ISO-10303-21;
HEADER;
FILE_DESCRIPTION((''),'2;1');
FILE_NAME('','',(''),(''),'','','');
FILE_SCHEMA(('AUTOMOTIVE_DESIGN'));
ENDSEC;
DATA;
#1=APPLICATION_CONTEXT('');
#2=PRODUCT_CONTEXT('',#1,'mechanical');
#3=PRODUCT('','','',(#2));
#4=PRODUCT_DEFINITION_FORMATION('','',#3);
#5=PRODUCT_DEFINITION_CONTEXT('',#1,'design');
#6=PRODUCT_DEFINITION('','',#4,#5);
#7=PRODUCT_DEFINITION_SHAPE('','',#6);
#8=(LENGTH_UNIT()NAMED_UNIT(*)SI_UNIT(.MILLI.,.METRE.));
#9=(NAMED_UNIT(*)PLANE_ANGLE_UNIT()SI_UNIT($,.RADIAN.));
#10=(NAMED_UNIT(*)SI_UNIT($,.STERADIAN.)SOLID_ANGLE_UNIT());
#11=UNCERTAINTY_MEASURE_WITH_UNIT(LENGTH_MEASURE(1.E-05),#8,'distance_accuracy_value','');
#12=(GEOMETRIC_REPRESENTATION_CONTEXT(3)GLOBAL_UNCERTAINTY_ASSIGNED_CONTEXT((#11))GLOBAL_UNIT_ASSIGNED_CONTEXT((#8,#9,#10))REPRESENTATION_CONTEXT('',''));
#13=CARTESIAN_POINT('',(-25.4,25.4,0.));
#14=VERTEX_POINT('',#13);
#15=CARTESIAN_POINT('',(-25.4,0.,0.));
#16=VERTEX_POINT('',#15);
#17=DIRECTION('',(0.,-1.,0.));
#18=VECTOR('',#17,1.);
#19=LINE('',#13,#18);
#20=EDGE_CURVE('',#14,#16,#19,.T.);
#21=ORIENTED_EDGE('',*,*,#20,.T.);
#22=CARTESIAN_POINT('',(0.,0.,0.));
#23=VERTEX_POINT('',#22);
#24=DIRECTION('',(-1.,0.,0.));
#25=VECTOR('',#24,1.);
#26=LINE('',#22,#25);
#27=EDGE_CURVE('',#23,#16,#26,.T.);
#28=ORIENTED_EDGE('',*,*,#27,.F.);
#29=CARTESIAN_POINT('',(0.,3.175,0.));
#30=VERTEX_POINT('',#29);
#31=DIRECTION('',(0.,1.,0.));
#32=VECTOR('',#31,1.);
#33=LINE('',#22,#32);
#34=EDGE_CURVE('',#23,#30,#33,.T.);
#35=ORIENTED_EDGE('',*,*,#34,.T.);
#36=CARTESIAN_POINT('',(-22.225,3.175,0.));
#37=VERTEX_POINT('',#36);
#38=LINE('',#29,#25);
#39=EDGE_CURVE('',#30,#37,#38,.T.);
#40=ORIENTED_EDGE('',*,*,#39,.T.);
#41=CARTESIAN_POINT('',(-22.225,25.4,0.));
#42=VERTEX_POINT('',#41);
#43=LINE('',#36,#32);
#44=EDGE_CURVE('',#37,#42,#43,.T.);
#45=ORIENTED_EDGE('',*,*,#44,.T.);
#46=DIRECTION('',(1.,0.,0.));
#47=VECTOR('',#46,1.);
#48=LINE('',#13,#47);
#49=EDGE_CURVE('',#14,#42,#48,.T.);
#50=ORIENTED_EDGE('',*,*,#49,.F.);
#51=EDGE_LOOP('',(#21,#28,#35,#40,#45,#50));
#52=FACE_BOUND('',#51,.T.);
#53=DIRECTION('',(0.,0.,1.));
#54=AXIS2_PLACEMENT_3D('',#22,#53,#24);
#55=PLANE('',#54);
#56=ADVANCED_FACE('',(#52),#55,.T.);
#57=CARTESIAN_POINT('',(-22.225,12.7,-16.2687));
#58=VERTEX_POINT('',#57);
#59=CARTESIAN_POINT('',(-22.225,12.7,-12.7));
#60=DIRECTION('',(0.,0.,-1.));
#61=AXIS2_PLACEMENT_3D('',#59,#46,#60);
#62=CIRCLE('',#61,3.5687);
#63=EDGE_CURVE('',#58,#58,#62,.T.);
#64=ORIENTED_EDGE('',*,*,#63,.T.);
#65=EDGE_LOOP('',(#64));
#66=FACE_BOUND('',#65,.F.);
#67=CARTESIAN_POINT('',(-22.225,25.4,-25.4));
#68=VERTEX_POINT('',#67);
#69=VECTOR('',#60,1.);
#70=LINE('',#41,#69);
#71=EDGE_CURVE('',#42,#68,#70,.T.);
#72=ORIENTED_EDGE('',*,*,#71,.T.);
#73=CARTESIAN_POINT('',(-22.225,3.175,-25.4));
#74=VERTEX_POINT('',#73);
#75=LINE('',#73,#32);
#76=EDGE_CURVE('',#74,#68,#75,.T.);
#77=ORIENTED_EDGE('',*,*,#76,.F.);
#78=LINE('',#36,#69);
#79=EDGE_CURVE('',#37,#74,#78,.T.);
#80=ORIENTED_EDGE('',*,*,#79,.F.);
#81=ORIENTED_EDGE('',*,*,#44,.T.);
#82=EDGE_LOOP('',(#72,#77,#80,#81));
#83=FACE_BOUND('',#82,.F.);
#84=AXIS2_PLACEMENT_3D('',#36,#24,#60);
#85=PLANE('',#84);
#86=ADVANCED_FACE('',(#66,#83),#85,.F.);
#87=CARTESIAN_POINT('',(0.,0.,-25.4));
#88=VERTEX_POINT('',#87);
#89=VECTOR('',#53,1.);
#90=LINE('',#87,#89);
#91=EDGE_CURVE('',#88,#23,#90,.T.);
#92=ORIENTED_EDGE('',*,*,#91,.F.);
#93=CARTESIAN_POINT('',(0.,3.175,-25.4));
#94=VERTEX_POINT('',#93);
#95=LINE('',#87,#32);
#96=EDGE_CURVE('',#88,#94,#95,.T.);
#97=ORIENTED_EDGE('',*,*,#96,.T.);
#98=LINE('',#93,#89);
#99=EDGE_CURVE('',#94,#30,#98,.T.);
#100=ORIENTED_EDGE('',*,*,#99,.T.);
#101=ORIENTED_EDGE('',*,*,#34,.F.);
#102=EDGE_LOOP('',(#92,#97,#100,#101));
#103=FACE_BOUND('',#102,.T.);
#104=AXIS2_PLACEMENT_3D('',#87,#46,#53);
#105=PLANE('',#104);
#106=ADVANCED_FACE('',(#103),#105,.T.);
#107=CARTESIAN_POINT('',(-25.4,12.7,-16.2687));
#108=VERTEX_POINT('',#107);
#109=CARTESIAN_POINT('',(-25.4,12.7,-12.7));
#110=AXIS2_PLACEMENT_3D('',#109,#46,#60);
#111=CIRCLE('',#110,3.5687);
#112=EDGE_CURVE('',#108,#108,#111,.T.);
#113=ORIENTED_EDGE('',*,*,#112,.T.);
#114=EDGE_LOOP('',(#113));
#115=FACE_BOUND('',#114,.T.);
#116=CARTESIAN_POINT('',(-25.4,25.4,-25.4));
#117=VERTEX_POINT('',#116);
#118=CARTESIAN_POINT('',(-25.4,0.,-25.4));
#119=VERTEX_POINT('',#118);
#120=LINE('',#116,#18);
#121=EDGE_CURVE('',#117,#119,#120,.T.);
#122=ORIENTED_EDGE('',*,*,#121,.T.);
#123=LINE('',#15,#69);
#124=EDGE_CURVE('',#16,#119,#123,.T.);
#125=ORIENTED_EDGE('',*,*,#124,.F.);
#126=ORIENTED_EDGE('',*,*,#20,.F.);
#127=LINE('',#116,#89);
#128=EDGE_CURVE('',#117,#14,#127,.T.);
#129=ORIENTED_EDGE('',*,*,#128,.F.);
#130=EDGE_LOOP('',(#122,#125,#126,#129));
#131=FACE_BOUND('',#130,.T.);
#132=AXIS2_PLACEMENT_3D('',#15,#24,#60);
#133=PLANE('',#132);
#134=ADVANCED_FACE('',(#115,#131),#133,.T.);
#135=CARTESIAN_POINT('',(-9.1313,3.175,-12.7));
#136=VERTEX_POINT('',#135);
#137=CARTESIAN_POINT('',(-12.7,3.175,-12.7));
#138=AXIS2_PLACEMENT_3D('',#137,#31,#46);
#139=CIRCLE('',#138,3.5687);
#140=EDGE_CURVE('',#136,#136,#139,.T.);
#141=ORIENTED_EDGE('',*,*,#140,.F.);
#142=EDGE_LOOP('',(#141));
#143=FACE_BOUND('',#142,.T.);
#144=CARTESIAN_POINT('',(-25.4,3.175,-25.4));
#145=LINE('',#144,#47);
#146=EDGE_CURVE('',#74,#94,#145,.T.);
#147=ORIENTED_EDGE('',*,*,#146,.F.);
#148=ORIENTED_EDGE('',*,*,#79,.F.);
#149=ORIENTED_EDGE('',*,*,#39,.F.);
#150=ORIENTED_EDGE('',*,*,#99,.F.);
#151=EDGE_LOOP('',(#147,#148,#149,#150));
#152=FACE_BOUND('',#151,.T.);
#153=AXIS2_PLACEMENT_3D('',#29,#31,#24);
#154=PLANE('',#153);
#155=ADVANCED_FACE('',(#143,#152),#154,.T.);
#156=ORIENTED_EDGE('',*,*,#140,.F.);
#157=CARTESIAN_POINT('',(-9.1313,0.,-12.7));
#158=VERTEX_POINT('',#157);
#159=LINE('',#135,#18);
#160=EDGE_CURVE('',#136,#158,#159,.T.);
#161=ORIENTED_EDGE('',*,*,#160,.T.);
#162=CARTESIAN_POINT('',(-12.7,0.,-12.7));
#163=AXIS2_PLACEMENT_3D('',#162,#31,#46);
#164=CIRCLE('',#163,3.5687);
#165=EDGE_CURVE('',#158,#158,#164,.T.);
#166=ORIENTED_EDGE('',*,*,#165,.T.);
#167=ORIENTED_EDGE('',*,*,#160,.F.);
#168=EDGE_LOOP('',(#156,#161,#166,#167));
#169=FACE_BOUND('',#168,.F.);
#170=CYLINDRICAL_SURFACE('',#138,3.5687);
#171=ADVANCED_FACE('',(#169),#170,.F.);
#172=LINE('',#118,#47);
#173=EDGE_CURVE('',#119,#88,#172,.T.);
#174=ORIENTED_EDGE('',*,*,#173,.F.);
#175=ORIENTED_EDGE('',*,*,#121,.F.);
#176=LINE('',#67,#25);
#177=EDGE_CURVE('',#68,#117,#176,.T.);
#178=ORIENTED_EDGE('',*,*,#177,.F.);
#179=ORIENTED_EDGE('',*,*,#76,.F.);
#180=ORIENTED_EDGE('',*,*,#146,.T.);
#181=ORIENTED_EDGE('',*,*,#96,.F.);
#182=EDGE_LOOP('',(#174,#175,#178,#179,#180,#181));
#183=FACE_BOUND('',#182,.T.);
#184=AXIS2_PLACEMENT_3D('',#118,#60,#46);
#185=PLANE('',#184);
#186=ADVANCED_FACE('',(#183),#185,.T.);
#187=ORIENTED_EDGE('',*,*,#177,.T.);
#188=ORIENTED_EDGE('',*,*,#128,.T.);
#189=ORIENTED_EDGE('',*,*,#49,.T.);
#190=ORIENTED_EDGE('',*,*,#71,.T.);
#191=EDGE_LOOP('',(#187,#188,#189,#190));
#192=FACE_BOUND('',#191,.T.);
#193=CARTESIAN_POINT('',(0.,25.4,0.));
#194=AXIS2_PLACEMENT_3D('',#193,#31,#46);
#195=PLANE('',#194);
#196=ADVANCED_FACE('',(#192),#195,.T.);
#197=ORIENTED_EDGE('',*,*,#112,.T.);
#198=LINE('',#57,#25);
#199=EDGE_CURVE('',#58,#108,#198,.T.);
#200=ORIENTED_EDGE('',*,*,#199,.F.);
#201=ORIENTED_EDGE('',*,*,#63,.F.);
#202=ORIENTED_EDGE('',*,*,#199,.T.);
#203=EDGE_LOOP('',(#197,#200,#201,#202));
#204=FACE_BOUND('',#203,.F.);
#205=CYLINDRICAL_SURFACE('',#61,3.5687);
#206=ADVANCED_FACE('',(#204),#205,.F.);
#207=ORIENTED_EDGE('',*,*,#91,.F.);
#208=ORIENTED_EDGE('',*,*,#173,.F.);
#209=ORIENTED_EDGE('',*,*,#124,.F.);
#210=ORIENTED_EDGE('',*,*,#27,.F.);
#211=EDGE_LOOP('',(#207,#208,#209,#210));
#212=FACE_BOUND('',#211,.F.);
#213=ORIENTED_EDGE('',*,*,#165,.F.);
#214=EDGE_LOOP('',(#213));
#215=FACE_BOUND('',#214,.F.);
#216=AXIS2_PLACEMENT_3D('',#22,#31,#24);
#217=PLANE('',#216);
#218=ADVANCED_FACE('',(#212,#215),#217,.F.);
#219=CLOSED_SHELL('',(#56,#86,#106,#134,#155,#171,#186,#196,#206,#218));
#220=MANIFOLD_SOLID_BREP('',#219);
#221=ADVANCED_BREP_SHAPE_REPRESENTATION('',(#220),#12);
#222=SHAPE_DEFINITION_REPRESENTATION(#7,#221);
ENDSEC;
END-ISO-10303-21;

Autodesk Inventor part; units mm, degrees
ref_plane "YZ Plane" through (0, 0, 0) normal (1, 0, 0) x (0, 1, 0)
ref_plane "XZ Plane" through (0, 0, 0) normal (0, 1, 0) x (-1, 0, 0)
ref_plane "XY Plane" through (0, 0, 0) normal (0, 0, 1) x (1, 0, 0)
sketch "Sketch1" plane through (0, 0, 0) normal (0, 1, 0) x (-1, 0, 0)
  line L0 (0, 0) -> (25.4, 0)
  line L1 (25.4, 0) -> (25.4, -25.4)
  line L2 (25.4, -25.4) -> (0, -25.4)
  line L3 (0, -25.4) -> (0, 0)
  dimension "d0" = 25.4
  dimension "d1" = 25.4
extrude "Extrusion1" add sketch "Sketch1" along normal blind 3.175
sketch "Sketch2" plane through (0, 3.175, 0) normal (0, 1, 0) x (1, 0, 0)
  line L0 (-25.4, 25.4) -> (-25.4, 0) projected
  line L1 (-25.4, 0) -> (-22.225, 0)
  line L2 (-22.225, 0) -> (-22.225, 25.4)
  line L3 (-22.225, 25.4) -> (-25.4, 25.4)
  line L4 (-25.4, 25.4) -> (-25.4, 0)
  point P0 (0, 0)
  dimension "d4" = 3.175
  dimension "d5" = 25.4
extrude "Extrusion2" add sketch "Sketch2" along normal blind 22.225
sketch "Sketch3" plane through (0, 3.175, 0) normal (0, 1, 0) x (1, 0, 0)
  circle A0 centre (-12.7, 12.7) radius 3.5687
  line L0 (0, 25.4) -> (-22.225, 25.4) projected
  line L1 (0, 25.4) -> (0, 0) projected
  dimension "d8" = 7.1374
  dimension "d9" = 12.7
  dimension "d10" = 12.7
extrude "Extrusion3" cut sketch "Sketch3" against normal blind 22.225
sketch "Sketch4" plane through (-22.225, 3.175, 0) normal (1, 0, 0) x (0, 0, -1)
  circle A0 centre (12.7, 9.525) radius 3.5687
  line L0 (25.4, 0) -> (25.4, 22.225) projected
  line L1 (0, 22.225) -> (25.4, 22.225) projected
  point P0 (0, -3.175)
  dimension "d13" = 7.1374
  dimension "d14" = 12.7
  dimension "d15" = 12.7
extrude "Extrusion4" cut sketch "Sketch4" against normal blind 3.175
properties part number "Lbracket" material "Aluminum 6061"
